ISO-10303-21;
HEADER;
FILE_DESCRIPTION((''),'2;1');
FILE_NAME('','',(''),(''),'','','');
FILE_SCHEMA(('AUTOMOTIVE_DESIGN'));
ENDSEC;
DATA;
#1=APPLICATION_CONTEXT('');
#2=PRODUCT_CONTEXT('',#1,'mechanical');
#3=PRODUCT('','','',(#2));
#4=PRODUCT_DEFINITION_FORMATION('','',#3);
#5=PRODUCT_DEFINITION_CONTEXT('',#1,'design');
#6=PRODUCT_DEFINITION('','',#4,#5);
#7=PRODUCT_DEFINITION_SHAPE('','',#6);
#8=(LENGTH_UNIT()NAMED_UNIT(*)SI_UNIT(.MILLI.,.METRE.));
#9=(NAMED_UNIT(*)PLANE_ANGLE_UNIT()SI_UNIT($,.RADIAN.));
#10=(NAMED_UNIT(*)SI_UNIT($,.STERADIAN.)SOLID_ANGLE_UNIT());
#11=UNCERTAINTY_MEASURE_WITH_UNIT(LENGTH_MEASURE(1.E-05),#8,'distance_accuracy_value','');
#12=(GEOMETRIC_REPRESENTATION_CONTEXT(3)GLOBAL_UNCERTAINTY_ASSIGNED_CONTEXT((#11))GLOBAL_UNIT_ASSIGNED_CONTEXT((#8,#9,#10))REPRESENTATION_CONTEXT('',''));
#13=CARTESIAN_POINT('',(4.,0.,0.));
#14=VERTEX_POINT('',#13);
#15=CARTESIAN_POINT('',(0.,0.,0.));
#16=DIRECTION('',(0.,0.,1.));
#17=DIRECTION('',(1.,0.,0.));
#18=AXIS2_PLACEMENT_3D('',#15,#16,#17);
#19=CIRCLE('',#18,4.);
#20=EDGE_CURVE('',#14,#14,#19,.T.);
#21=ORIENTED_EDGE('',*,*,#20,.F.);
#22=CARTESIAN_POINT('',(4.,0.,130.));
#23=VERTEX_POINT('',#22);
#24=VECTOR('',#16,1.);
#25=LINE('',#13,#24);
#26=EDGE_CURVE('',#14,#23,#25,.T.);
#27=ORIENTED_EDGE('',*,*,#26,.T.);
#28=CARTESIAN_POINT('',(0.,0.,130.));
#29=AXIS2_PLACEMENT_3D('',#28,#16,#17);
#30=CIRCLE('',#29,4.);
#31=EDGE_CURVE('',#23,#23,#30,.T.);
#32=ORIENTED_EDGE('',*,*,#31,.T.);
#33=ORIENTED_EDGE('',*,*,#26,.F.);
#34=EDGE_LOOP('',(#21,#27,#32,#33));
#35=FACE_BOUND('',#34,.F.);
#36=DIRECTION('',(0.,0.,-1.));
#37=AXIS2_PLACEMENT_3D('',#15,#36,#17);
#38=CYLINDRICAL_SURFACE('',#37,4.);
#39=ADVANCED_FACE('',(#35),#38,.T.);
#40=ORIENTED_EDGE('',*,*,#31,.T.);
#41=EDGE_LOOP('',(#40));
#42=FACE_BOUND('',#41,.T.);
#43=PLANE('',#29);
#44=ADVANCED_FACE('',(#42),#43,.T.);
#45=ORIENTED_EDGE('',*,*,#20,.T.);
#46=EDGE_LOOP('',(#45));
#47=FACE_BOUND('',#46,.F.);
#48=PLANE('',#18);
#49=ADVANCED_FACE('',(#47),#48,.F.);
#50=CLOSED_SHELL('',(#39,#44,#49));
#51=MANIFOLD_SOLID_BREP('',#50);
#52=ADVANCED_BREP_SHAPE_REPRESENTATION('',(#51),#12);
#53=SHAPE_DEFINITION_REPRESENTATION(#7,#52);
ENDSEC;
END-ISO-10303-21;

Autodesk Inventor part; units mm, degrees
ref_plane "YZ Plane" through (0, 0, 0) normal (1, 0, 0) x (0, 1, 0)
ref_plane "XZ Plane" through (0, 0, 0) normal (0, 1, 0) x (-1, 0, 0)
ref_plane "XY Plane" through (0, 0, 0) normal (0, 0, 1) x (1, 0, 0)
sketch "Szkic1" plane through (0, 0, 0) normal (0, 0, 1) x (1, 0, 0)
  circle A0 centre (0, 0) radius 4
  dimension "d0" = 8
extrude "Wyciągnięcie proste1" add sketch "Szkic1" along normal blind 130
thread "Gwint1" size "M8x1.25" class "6g" standard "ANSI Metric M Profile" full length
properties part number "CUT_130mm_M8_Screw_Filament_Holder"
